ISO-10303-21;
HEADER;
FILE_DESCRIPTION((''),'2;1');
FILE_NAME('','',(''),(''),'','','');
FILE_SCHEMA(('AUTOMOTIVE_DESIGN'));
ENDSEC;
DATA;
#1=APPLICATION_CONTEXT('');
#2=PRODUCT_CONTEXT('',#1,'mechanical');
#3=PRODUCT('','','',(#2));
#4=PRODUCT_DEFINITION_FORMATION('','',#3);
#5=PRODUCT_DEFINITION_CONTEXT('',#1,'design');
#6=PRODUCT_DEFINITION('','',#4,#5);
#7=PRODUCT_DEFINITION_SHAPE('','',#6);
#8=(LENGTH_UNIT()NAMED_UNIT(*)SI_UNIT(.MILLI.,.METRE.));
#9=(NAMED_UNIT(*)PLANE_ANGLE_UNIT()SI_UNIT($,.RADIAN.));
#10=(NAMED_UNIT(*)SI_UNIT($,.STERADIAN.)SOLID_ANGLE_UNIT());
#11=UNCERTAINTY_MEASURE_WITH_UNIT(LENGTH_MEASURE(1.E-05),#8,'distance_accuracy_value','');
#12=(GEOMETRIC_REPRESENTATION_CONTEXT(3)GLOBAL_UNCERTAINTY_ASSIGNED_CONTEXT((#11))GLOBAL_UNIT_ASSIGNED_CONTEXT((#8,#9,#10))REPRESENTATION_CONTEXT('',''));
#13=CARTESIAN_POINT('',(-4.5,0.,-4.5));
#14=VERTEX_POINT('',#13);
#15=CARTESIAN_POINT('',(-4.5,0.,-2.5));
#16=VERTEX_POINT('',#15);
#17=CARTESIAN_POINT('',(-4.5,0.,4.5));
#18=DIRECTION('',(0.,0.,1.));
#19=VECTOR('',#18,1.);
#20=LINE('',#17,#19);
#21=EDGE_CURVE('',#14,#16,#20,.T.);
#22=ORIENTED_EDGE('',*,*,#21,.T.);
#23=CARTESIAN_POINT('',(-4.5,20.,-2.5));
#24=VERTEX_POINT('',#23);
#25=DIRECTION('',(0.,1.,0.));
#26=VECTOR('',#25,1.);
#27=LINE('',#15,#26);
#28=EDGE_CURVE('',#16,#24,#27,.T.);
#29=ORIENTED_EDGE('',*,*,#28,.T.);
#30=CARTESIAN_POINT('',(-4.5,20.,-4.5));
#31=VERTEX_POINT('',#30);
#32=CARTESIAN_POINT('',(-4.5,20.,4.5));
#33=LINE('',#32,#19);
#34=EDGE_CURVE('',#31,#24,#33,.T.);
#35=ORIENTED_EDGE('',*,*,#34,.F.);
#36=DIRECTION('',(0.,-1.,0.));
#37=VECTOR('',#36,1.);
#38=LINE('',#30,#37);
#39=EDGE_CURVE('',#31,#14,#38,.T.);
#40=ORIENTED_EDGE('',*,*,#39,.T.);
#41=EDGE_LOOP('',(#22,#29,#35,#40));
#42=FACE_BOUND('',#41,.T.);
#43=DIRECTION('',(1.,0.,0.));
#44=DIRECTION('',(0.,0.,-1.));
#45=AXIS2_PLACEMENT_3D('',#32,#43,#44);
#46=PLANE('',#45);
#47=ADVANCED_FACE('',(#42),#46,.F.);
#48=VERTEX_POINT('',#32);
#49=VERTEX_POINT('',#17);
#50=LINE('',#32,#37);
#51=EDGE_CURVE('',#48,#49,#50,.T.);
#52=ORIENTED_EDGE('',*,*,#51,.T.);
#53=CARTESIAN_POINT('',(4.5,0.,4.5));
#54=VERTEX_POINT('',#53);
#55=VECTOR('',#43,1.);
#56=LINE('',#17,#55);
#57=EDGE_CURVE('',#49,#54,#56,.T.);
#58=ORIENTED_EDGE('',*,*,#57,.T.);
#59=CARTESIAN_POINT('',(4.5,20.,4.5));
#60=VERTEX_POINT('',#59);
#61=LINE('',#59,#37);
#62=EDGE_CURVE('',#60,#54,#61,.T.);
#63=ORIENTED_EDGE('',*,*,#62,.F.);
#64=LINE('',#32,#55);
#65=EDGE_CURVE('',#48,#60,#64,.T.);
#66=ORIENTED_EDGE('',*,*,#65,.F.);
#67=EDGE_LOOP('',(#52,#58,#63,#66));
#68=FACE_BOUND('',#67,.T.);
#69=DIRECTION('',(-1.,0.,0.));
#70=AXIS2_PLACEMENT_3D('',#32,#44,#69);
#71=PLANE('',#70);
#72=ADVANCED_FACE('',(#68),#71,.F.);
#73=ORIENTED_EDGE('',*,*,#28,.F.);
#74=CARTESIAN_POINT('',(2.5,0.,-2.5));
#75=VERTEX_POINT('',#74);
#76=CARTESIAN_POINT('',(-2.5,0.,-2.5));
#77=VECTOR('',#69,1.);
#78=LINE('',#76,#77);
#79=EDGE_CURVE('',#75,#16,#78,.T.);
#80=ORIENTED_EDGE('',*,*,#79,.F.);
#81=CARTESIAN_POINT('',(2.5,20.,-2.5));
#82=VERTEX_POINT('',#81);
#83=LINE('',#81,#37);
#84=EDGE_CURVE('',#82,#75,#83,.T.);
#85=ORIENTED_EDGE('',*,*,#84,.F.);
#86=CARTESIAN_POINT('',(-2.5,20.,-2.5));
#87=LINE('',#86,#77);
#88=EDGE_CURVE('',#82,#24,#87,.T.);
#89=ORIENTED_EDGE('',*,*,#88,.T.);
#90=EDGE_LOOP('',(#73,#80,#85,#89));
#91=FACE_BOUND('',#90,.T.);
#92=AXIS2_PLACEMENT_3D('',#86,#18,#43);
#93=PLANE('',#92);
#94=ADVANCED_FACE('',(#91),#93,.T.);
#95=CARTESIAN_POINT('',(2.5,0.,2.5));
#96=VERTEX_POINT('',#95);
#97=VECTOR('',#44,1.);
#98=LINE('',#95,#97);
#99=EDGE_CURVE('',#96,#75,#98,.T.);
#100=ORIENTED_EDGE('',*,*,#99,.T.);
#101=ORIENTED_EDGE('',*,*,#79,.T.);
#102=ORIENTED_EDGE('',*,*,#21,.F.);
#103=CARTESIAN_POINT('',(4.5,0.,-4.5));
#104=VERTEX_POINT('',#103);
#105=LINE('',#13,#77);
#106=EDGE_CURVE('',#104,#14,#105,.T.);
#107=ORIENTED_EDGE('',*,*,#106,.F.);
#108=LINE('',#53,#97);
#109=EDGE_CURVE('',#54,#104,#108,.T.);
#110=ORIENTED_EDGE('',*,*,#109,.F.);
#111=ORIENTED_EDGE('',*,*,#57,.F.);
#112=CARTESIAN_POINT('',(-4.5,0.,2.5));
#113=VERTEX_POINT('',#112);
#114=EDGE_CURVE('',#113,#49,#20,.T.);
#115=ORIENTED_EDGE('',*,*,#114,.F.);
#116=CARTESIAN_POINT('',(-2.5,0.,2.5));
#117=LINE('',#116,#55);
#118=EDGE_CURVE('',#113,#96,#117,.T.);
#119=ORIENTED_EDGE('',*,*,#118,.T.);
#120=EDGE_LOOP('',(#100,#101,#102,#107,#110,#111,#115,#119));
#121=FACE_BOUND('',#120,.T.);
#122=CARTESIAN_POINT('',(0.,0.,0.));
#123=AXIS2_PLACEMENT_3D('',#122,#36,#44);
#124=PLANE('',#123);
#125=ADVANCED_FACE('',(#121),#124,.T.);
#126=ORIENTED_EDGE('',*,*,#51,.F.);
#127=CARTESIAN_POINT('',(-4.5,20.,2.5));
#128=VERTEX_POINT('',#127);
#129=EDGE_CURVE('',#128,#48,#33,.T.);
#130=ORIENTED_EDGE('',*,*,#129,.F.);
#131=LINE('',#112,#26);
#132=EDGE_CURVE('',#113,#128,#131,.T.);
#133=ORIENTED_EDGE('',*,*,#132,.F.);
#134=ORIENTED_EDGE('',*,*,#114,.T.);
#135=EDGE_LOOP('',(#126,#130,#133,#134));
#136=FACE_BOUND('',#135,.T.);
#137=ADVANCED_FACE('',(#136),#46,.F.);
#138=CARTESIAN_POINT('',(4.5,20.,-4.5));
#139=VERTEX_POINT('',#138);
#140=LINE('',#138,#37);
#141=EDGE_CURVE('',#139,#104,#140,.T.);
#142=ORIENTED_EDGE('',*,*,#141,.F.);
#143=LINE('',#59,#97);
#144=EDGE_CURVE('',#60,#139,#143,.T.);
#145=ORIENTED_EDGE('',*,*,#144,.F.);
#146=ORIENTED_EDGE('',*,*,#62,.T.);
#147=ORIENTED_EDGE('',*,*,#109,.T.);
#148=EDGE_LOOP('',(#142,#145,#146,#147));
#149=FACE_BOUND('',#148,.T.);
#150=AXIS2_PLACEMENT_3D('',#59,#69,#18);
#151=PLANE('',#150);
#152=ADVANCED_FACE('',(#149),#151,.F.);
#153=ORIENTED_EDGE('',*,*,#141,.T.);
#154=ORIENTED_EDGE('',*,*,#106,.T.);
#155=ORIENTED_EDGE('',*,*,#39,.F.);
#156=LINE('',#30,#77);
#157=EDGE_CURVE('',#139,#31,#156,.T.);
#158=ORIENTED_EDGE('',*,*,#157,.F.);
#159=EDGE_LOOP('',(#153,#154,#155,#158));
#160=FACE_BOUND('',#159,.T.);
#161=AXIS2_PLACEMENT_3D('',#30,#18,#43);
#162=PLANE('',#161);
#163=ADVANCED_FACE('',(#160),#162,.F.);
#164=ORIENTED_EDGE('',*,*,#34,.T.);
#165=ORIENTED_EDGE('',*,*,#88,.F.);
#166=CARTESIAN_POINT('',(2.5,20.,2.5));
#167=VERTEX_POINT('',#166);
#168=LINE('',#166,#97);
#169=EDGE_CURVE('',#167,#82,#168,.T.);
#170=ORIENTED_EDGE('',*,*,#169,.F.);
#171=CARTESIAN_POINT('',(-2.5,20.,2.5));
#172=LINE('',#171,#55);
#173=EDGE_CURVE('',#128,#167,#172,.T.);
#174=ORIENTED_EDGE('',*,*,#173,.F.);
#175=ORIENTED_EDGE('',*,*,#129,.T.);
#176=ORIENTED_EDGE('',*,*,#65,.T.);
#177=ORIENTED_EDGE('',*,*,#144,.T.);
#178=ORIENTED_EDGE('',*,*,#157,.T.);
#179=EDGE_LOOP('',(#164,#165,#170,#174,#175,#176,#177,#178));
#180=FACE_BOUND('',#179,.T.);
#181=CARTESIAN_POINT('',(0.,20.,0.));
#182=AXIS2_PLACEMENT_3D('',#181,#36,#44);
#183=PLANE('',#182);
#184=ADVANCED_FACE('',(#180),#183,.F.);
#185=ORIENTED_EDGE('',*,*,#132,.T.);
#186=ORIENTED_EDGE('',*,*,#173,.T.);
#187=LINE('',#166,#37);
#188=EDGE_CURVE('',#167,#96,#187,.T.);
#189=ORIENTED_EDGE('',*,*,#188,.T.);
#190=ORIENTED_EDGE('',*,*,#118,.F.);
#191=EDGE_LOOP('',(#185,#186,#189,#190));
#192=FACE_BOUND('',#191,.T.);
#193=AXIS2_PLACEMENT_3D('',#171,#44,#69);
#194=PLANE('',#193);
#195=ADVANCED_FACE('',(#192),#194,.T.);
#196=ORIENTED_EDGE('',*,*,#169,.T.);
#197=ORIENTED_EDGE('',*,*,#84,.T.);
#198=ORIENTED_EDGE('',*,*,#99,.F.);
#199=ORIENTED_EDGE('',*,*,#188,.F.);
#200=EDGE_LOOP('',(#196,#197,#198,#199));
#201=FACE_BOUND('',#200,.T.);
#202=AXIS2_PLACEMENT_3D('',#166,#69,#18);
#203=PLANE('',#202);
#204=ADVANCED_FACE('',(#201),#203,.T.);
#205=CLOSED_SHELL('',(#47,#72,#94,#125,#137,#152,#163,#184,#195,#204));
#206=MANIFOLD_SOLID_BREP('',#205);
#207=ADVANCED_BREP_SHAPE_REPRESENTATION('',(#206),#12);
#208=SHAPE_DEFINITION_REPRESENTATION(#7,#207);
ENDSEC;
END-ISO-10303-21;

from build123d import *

# Parameters (mm, degrees)
SKETCH1_W           = 9
SKETCH1_H           = 9
SKETCH1_W_2         = 5
SKETCH1_H_2         = 5
BOSS_EXTRUDE1_DEPTH = 20
SKETCH2_W           = 2
SKETCH2_H           = 5
CUT_EXTRUDE1_DEPTH  = 21.988091862


with BuildPart() as part:
    # Sketch1 → Boss-Extrude1 (new body)
    with BuildSketch(Plane(origin=(0, 0, 0), x_dir=(1, 0, 0), z_dir=(0, 1, 0))):
        Rectangle(SKETCH1_W, SKETCH1_H)
        Rectangle(SKETCH1_W_2, SKETCH1_H_2, mode=Mode.SUBTRACT)
    extrude(amount=BOSS_EXTRUDE1_DEPTH)

    # Sketch2 → Cut-Extrude1 (cut, through all)
    with BuildSketch(Plane(origin=(0, 20, 0), x_dir=(1, 0, 0), z_dir=(0, 1, 0))):
        with Locations((-3.5, 0)):
            Rectangle(SKETCH2_W, SKETCH2_H)
    extrude(amount=-CUT_EXTRUDE1_DEPTH, mode=Mode.SUBTRACT)


solid = part.part
